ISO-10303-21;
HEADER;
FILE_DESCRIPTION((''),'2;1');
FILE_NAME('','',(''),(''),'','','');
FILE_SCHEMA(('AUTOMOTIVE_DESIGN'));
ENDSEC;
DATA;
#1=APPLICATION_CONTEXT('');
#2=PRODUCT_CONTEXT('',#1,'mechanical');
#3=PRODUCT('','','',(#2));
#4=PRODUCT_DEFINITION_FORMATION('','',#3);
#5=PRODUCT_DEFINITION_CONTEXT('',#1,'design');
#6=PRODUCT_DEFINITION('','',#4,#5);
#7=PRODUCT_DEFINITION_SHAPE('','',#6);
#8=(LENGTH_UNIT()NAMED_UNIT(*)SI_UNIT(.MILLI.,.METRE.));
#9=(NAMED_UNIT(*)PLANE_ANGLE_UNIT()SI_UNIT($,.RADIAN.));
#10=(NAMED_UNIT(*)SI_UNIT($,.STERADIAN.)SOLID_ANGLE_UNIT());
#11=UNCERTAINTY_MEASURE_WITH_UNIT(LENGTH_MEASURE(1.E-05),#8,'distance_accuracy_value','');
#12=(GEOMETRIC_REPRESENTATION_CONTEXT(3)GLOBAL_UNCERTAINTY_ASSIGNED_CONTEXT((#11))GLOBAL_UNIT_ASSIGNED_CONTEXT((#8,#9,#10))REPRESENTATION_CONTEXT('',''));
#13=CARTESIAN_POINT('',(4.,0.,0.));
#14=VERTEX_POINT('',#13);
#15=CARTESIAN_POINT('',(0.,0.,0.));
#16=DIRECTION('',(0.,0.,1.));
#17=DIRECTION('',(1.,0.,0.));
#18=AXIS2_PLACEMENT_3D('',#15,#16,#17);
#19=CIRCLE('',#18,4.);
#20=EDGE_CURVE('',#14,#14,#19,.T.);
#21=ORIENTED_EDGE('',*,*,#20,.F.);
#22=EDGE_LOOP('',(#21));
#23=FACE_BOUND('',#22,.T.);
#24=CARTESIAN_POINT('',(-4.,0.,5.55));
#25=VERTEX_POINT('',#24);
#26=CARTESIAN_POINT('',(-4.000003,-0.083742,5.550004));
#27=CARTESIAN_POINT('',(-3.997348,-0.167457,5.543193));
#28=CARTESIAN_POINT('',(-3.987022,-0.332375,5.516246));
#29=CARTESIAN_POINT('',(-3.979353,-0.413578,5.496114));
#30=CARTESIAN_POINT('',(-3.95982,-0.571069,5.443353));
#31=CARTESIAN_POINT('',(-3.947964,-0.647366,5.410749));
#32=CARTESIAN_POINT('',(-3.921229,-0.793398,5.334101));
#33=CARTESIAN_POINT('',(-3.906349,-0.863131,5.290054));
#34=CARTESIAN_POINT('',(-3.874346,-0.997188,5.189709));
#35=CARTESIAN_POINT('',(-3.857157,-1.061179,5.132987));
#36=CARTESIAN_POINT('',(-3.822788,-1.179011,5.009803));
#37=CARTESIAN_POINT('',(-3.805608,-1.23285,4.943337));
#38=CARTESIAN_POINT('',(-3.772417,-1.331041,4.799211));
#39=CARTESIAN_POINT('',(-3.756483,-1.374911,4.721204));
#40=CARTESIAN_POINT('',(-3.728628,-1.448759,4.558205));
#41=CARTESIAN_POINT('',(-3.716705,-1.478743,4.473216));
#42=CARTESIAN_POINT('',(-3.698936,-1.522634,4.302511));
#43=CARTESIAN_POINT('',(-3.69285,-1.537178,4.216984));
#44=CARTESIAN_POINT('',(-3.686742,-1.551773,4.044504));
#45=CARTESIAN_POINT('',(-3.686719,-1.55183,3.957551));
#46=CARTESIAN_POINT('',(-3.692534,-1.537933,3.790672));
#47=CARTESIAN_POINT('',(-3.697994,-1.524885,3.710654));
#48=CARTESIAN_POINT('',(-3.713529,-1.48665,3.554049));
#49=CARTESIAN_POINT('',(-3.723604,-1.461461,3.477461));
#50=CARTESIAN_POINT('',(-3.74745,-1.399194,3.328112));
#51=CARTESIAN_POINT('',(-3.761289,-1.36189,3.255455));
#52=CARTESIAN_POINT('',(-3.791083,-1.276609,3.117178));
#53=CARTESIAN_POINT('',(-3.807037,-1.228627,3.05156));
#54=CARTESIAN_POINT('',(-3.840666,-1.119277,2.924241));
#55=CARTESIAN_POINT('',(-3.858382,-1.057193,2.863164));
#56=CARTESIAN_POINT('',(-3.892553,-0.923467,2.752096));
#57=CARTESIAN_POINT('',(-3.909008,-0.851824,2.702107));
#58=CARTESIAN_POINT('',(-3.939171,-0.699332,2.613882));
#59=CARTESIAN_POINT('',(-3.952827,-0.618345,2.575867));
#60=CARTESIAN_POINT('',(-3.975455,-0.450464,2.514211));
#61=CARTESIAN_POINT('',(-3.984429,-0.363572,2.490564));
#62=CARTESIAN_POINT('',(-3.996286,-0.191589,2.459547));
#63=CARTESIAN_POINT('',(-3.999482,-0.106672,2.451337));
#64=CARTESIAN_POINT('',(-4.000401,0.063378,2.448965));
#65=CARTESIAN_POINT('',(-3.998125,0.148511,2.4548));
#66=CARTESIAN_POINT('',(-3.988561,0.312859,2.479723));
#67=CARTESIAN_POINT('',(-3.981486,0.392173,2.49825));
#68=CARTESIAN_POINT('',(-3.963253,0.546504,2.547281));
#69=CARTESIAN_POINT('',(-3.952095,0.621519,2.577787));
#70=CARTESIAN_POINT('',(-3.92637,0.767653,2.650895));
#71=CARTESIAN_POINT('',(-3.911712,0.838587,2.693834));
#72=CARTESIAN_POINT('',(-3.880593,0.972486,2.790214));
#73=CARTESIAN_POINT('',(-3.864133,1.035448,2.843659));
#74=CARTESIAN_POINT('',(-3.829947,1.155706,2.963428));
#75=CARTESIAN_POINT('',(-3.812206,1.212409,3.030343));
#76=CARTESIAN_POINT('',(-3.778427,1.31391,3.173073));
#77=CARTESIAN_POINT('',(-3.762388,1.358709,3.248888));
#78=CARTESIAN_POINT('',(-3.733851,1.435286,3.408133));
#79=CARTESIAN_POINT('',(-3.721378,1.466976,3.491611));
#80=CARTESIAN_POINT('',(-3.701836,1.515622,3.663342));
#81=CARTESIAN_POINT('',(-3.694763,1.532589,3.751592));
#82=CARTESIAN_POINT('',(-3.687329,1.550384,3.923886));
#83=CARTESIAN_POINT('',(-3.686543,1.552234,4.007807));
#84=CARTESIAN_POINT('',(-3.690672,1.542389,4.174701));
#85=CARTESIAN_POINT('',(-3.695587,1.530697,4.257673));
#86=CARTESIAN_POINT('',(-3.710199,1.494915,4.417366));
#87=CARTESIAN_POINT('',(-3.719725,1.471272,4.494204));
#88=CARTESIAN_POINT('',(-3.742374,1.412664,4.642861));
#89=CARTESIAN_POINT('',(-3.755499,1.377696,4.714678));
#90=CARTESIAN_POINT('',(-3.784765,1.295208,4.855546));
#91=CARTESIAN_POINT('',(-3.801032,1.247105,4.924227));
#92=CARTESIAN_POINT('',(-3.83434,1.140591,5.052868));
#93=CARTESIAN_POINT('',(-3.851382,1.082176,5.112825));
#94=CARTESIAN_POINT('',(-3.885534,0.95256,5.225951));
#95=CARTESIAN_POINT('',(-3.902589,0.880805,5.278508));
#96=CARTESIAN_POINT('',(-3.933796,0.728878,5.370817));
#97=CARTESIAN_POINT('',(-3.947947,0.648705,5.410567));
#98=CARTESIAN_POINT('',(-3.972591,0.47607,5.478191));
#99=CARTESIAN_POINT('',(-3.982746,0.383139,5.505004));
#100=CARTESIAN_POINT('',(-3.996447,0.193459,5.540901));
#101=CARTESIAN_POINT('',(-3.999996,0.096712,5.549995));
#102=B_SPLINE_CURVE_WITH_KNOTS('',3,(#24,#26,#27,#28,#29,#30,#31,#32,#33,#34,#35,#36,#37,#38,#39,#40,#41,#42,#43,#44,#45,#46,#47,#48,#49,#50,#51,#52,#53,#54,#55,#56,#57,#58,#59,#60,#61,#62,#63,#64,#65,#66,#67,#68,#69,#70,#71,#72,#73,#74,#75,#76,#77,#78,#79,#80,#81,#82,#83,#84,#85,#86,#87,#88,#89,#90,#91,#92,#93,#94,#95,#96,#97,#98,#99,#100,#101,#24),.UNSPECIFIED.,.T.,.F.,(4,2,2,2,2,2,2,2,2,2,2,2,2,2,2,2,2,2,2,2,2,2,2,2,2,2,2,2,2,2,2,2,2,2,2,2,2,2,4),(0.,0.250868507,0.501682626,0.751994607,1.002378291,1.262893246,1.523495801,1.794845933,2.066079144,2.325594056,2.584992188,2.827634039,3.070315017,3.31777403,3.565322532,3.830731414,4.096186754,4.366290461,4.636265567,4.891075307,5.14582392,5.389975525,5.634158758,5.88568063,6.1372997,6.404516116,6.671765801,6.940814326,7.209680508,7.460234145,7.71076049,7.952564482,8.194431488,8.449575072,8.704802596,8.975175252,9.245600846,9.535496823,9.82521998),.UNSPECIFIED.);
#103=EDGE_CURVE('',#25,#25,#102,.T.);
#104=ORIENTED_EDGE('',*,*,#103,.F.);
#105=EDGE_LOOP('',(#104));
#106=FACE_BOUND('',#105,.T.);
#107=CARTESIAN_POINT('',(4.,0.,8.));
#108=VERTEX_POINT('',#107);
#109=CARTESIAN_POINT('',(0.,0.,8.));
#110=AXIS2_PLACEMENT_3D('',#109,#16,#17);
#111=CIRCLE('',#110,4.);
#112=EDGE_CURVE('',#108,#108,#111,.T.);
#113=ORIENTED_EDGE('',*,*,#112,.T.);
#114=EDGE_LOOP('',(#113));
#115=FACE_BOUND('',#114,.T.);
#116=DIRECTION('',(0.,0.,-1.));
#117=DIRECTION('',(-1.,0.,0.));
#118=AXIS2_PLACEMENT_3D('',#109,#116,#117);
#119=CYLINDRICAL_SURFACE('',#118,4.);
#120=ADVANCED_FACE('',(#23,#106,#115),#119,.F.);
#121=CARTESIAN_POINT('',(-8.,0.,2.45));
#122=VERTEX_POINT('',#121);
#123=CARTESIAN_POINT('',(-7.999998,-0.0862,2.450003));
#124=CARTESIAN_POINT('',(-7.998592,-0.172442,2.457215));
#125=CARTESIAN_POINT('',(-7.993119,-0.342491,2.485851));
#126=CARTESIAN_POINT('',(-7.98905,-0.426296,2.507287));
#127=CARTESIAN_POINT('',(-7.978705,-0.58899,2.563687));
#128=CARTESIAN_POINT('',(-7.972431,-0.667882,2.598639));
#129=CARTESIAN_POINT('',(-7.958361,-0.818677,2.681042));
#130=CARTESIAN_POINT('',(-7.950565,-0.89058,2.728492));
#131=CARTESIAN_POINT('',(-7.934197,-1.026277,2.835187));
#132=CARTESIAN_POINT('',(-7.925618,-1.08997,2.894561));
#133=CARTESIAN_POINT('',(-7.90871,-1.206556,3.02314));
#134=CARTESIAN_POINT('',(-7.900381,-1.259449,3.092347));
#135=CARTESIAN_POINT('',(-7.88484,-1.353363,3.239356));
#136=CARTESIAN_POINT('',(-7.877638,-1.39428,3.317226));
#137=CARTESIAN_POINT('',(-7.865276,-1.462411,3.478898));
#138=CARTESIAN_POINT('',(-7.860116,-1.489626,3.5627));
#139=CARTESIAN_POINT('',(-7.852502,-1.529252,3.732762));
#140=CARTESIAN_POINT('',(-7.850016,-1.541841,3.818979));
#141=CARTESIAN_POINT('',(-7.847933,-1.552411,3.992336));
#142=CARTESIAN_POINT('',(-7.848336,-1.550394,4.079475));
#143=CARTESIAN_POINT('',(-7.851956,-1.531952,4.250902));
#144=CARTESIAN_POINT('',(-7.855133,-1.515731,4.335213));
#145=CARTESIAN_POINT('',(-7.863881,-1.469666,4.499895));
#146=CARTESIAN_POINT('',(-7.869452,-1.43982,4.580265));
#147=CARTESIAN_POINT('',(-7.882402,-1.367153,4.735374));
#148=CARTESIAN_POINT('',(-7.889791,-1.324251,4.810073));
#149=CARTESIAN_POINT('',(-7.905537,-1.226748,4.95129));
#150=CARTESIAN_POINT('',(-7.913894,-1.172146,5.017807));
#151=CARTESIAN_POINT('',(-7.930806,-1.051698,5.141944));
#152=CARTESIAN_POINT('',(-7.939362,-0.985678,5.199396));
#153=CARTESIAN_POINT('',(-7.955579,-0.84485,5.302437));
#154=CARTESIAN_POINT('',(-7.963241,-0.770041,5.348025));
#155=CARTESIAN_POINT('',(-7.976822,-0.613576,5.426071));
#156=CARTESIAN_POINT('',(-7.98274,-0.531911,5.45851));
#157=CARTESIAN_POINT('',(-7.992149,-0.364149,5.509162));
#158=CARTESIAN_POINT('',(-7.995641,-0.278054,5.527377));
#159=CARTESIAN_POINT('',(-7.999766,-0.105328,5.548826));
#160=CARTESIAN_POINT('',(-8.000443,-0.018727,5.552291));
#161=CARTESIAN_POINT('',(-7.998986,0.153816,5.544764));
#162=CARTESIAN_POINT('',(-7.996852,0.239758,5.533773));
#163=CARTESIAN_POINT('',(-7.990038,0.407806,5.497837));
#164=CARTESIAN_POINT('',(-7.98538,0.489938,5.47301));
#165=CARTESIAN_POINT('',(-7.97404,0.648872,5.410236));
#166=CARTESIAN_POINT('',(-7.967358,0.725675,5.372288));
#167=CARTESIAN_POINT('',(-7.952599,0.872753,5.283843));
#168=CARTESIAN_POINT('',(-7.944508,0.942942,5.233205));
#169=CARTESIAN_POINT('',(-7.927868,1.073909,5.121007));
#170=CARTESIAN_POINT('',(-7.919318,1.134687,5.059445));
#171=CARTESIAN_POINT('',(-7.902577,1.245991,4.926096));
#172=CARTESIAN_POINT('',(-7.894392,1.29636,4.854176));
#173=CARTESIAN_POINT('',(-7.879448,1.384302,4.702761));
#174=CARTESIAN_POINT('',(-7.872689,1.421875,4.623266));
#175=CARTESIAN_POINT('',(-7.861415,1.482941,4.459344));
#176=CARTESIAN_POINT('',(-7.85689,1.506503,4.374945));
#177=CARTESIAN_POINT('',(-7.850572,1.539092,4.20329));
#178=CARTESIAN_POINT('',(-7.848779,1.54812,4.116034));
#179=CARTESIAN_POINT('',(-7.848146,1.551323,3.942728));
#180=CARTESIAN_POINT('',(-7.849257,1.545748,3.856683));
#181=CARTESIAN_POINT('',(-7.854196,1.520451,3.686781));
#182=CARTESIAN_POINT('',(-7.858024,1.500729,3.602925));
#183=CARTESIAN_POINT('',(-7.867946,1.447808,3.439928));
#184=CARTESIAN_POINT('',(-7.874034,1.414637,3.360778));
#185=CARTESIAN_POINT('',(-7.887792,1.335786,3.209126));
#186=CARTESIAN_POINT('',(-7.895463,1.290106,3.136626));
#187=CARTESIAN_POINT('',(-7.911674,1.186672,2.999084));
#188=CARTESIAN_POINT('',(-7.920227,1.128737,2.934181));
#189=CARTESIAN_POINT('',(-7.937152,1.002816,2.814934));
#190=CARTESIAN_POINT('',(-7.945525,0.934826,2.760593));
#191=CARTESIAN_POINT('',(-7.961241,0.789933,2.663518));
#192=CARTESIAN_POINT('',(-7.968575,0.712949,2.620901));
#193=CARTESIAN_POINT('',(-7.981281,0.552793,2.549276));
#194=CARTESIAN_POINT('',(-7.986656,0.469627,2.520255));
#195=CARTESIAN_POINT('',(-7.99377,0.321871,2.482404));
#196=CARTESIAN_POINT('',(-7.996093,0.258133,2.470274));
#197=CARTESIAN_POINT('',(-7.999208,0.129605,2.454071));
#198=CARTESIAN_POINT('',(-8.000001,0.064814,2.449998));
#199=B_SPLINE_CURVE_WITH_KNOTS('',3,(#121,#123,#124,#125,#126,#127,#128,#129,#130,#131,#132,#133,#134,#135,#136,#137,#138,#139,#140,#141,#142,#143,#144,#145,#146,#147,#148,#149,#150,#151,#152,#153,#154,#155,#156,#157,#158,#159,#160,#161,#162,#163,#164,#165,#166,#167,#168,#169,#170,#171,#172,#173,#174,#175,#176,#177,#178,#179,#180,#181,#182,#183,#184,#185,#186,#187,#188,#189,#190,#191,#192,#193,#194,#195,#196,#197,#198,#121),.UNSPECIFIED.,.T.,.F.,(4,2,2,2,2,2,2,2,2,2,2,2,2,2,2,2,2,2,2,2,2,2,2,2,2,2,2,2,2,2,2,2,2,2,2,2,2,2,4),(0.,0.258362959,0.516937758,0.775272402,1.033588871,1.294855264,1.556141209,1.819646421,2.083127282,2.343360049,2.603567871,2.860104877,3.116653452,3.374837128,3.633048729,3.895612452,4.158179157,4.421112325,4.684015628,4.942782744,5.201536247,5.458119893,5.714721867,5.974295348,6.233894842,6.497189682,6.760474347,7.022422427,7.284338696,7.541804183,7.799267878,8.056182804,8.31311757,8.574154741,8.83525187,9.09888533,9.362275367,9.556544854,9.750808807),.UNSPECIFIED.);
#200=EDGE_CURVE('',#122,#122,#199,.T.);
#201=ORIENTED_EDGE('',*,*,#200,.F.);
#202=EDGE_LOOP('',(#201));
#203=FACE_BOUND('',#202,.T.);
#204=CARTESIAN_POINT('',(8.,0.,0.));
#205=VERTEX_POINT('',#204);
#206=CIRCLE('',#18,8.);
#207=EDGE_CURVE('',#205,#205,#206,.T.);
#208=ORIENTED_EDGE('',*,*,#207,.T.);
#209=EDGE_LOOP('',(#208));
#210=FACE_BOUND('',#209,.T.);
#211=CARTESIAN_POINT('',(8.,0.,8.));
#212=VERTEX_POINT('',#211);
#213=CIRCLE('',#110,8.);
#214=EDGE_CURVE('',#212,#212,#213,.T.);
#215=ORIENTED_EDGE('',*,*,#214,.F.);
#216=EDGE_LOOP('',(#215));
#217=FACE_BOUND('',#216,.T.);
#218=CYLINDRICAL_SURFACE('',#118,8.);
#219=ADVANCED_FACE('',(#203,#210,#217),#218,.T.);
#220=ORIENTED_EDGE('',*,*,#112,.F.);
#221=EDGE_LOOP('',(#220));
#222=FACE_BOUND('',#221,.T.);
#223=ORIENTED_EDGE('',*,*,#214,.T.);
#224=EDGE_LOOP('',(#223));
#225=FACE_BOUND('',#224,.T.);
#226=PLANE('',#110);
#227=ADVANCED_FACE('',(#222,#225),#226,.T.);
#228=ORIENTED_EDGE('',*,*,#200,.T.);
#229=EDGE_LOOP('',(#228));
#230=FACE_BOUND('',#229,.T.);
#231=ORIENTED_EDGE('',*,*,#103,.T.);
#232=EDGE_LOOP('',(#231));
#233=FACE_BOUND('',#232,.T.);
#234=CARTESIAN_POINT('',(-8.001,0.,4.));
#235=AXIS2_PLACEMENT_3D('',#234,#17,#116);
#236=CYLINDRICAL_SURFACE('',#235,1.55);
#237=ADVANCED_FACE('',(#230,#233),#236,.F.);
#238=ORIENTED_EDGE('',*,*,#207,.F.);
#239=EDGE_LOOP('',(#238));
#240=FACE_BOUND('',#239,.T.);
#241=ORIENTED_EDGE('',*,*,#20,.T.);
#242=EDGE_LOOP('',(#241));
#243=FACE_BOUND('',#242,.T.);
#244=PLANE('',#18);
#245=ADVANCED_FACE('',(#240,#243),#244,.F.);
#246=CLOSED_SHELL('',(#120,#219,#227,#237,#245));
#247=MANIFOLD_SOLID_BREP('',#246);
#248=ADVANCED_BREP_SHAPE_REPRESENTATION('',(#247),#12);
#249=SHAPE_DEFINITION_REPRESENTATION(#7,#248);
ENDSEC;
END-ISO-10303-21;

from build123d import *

# Parameters (mm, degrees)
SKETCH1_R               = 8
SKETCH1_R_2             = 4
BOSS_EXTRUDE1_DEPTH     = 8
CUT_EXTRUDE1_REACH      = 15.856
CUT_EXTRUDE1_END_RADIUS = 8
SKETCH2_R               = 1.55


with BuildPart() as part:
    # Sketch1 → Boss-Extrude1 (new body)
    with BuildSketch(Plane.XY):
        Circle(SKETCH1_R)
        Circle(SKETCH1_R_2, mode=Mode.SUBTRACT)
    extrude(amount=BOSS_EXTRUDE1_DEPTH)

    # Cut-Extrude1: up to this cylinder (the profile starts inside it)
    cut_extrude1_end = Plane(origin=(0, 0, 4), z_dir=(0, 0, -1)) * Cylinder(CUT_EXTRUDE1_END_RADIUS, 48.712, mode=Mode.PRIVATE)
    # Sketch2 → Cut-Extrude1 (cut, up to the surface)
    with BuildSketch(Plane(origin=(0, 0, 0), x_dir=(0, 0, -1), z_dir=(1, 0, 0)), mode=Mode.PRIVATE) as cut_extrude1_sk1:
        with Locations((-4, 0)):
            Circle(SKETCH2_R)
    cut_extrude1_tool1 = extrude(cut_extrude1_sk1.sketch, amount=-CUT_EXTRUDE1_REACH, mode=Mode.PRIVATE) & cut_extrude1_end
    add(cut_extrude1_tool1.solids().sort_by_distance((0, 0, 4))[0], mode=Mode.SUBTRACT)


solid = part.part
